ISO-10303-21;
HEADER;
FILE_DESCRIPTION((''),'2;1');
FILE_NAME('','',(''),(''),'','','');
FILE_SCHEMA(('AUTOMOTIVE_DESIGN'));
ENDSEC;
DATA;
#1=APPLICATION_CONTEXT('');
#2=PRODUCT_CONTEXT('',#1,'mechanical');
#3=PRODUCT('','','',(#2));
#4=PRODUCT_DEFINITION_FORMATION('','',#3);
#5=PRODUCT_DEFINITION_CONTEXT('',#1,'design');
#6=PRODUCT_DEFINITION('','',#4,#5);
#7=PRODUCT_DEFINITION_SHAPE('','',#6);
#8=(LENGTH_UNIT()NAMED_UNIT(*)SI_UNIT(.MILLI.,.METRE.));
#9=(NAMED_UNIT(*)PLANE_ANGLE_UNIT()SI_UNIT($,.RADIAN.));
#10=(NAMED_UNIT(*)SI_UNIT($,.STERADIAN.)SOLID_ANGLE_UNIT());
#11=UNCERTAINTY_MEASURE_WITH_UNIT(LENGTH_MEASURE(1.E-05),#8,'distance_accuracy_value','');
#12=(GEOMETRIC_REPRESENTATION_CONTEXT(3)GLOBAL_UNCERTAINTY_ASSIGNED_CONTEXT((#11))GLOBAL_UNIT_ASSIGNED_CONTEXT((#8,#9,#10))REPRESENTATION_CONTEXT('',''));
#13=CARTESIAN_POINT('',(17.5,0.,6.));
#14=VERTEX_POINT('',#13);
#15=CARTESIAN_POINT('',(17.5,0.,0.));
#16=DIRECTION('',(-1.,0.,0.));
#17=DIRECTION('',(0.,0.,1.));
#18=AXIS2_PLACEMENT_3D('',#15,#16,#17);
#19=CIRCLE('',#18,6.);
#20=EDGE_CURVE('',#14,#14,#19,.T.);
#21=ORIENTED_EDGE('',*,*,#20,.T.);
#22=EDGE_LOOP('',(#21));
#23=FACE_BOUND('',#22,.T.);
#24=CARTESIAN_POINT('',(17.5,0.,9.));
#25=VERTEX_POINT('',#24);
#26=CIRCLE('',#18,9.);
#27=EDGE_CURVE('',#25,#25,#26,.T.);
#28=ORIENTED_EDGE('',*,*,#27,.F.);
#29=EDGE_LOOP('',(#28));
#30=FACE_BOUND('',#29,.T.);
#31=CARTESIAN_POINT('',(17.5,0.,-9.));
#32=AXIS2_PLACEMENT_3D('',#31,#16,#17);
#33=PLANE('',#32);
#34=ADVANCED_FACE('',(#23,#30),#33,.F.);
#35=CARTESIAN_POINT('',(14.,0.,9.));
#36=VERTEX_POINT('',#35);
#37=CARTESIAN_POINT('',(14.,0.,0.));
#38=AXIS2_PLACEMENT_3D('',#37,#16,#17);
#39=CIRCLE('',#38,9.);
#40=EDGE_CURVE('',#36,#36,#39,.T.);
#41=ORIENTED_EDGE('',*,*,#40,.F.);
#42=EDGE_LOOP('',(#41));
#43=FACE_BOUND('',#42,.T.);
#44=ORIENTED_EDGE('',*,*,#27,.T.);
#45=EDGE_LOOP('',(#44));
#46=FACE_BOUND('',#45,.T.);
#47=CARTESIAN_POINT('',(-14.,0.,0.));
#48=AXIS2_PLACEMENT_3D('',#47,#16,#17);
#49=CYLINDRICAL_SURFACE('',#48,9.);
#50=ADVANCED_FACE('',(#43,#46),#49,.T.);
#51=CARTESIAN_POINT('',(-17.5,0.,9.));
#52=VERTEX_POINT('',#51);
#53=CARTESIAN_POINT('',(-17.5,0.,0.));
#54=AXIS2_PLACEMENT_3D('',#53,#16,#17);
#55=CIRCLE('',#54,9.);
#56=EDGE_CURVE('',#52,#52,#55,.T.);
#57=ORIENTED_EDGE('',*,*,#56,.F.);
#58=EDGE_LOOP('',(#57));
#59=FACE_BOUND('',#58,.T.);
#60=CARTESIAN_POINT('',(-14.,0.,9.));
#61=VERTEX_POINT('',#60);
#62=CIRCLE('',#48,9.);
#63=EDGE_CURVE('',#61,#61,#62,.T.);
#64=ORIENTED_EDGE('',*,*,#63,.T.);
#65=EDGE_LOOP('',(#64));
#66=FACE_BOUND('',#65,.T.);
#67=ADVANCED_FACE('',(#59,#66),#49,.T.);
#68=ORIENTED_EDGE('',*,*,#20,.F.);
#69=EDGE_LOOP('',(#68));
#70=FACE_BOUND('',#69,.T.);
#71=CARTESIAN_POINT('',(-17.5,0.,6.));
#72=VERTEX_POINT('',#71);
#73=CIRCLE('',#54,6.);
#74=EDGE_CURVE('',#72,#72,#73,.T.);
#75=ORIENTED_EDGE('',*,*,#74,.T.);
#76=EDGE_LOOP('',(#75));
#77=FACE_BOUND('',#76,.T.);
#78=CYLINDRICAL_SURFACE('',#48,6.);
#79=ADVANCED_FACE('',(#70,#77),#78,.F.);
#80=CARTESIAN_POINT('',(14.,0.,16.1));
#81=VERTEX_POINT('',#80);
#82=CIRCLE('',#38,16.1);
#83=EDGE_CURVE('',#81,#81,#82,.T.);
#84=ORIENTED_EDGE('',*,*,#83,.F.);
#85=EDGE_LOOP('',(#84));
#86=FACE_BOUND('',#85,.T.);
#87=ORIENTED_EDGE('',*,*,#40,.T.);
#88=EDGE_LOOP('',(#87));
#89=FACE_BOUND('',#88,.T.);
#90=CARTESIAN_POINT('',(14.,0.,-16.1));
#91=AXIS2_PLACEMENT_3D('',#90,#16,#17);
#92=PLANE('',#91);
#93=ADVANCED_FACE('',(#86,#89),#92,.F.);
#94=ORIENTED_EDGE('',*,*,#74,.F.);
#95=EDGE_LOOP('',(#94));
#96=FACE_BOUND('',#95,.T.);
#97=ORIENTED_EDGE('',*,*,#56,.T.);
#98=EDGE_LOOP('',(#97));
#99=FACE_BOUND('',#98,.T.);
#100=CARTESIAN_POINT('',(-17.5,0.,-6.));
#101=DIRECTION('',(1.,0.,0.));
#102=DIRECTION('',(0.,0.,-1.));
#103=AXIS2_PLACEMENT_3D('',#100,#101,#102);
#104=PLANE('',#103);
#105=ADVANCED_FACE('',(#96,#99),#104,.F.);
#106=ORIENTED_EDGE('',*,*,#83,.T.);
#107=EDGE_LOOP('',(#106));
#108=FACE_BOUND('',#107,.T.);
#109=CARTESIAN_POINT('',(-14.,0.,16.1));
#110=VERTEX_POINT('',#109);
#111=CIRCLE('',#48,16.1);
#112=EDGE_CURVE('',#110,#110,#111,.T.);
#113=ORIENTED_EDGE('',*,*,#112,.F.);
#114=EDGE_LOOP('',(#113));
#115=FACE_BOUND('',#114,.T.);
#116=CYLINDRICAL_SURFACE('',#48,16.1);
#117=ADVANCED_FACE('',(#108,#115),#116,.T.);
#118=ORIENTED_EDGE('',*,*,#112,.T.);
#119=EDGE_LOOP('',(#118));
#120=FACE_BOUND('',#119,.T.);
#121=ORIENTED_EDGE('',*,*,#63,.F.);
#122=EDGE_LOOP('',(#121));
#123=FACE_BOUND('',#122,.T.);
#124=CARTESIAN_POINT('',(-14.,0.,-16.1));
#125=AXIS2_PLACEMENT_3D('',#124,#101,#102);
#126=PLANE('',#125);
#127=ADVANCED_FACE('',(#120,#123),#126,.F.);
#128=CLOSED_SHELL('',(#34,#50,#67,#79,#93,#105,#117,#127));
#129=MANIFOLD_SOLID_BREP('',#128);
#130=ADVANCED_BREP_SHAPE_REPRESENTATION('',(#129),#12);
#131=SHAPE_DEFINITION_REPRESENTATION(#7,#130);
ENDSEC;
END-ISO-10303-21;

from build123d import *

# Parameters (mm, degrees)
SZKIC2_R                   = 6
WYTNIJ_WYCI_GNI_CIE1_DEPTH = 28


with BuildPart() as part:
    # Szkic1 → Obrót1 (revolve)
    with BuildSketch(Plane(origin=(0, 0, 0), x_dir=(1, 0, 0), z_dir=(0, 1, 0)), mode=Mode.PRIVATE) as obr_t1_sk:
        Polygon((-14, 6), (-17.5, 6), (-17.5, 9), (-14, 9), (-14, 16.1), (14, 16.1), (14, 9), (17.5, 9), (17.5, 6), (14, 6), (14, 0), (-14, 0), align=None)
    revolve(obr_t1_sk.sketch.rotate(Axis((-14, 0, 0), (1, 0, 0)), 180), axis=Axis((-14, 0, 0), (1, 0, 0)))

    # Szkic2 → Wytnij-wyciągnięcie1 (cut)
    with BuildSketch(Plane.ZY.offset(14)):
        Circle(SZKIC2_R)
    extrude(amount=-WYTNIJ_WYCI_GNI_CIE1_DEPTH, mode=Mode.SUBTRACT)


solid = part.part
